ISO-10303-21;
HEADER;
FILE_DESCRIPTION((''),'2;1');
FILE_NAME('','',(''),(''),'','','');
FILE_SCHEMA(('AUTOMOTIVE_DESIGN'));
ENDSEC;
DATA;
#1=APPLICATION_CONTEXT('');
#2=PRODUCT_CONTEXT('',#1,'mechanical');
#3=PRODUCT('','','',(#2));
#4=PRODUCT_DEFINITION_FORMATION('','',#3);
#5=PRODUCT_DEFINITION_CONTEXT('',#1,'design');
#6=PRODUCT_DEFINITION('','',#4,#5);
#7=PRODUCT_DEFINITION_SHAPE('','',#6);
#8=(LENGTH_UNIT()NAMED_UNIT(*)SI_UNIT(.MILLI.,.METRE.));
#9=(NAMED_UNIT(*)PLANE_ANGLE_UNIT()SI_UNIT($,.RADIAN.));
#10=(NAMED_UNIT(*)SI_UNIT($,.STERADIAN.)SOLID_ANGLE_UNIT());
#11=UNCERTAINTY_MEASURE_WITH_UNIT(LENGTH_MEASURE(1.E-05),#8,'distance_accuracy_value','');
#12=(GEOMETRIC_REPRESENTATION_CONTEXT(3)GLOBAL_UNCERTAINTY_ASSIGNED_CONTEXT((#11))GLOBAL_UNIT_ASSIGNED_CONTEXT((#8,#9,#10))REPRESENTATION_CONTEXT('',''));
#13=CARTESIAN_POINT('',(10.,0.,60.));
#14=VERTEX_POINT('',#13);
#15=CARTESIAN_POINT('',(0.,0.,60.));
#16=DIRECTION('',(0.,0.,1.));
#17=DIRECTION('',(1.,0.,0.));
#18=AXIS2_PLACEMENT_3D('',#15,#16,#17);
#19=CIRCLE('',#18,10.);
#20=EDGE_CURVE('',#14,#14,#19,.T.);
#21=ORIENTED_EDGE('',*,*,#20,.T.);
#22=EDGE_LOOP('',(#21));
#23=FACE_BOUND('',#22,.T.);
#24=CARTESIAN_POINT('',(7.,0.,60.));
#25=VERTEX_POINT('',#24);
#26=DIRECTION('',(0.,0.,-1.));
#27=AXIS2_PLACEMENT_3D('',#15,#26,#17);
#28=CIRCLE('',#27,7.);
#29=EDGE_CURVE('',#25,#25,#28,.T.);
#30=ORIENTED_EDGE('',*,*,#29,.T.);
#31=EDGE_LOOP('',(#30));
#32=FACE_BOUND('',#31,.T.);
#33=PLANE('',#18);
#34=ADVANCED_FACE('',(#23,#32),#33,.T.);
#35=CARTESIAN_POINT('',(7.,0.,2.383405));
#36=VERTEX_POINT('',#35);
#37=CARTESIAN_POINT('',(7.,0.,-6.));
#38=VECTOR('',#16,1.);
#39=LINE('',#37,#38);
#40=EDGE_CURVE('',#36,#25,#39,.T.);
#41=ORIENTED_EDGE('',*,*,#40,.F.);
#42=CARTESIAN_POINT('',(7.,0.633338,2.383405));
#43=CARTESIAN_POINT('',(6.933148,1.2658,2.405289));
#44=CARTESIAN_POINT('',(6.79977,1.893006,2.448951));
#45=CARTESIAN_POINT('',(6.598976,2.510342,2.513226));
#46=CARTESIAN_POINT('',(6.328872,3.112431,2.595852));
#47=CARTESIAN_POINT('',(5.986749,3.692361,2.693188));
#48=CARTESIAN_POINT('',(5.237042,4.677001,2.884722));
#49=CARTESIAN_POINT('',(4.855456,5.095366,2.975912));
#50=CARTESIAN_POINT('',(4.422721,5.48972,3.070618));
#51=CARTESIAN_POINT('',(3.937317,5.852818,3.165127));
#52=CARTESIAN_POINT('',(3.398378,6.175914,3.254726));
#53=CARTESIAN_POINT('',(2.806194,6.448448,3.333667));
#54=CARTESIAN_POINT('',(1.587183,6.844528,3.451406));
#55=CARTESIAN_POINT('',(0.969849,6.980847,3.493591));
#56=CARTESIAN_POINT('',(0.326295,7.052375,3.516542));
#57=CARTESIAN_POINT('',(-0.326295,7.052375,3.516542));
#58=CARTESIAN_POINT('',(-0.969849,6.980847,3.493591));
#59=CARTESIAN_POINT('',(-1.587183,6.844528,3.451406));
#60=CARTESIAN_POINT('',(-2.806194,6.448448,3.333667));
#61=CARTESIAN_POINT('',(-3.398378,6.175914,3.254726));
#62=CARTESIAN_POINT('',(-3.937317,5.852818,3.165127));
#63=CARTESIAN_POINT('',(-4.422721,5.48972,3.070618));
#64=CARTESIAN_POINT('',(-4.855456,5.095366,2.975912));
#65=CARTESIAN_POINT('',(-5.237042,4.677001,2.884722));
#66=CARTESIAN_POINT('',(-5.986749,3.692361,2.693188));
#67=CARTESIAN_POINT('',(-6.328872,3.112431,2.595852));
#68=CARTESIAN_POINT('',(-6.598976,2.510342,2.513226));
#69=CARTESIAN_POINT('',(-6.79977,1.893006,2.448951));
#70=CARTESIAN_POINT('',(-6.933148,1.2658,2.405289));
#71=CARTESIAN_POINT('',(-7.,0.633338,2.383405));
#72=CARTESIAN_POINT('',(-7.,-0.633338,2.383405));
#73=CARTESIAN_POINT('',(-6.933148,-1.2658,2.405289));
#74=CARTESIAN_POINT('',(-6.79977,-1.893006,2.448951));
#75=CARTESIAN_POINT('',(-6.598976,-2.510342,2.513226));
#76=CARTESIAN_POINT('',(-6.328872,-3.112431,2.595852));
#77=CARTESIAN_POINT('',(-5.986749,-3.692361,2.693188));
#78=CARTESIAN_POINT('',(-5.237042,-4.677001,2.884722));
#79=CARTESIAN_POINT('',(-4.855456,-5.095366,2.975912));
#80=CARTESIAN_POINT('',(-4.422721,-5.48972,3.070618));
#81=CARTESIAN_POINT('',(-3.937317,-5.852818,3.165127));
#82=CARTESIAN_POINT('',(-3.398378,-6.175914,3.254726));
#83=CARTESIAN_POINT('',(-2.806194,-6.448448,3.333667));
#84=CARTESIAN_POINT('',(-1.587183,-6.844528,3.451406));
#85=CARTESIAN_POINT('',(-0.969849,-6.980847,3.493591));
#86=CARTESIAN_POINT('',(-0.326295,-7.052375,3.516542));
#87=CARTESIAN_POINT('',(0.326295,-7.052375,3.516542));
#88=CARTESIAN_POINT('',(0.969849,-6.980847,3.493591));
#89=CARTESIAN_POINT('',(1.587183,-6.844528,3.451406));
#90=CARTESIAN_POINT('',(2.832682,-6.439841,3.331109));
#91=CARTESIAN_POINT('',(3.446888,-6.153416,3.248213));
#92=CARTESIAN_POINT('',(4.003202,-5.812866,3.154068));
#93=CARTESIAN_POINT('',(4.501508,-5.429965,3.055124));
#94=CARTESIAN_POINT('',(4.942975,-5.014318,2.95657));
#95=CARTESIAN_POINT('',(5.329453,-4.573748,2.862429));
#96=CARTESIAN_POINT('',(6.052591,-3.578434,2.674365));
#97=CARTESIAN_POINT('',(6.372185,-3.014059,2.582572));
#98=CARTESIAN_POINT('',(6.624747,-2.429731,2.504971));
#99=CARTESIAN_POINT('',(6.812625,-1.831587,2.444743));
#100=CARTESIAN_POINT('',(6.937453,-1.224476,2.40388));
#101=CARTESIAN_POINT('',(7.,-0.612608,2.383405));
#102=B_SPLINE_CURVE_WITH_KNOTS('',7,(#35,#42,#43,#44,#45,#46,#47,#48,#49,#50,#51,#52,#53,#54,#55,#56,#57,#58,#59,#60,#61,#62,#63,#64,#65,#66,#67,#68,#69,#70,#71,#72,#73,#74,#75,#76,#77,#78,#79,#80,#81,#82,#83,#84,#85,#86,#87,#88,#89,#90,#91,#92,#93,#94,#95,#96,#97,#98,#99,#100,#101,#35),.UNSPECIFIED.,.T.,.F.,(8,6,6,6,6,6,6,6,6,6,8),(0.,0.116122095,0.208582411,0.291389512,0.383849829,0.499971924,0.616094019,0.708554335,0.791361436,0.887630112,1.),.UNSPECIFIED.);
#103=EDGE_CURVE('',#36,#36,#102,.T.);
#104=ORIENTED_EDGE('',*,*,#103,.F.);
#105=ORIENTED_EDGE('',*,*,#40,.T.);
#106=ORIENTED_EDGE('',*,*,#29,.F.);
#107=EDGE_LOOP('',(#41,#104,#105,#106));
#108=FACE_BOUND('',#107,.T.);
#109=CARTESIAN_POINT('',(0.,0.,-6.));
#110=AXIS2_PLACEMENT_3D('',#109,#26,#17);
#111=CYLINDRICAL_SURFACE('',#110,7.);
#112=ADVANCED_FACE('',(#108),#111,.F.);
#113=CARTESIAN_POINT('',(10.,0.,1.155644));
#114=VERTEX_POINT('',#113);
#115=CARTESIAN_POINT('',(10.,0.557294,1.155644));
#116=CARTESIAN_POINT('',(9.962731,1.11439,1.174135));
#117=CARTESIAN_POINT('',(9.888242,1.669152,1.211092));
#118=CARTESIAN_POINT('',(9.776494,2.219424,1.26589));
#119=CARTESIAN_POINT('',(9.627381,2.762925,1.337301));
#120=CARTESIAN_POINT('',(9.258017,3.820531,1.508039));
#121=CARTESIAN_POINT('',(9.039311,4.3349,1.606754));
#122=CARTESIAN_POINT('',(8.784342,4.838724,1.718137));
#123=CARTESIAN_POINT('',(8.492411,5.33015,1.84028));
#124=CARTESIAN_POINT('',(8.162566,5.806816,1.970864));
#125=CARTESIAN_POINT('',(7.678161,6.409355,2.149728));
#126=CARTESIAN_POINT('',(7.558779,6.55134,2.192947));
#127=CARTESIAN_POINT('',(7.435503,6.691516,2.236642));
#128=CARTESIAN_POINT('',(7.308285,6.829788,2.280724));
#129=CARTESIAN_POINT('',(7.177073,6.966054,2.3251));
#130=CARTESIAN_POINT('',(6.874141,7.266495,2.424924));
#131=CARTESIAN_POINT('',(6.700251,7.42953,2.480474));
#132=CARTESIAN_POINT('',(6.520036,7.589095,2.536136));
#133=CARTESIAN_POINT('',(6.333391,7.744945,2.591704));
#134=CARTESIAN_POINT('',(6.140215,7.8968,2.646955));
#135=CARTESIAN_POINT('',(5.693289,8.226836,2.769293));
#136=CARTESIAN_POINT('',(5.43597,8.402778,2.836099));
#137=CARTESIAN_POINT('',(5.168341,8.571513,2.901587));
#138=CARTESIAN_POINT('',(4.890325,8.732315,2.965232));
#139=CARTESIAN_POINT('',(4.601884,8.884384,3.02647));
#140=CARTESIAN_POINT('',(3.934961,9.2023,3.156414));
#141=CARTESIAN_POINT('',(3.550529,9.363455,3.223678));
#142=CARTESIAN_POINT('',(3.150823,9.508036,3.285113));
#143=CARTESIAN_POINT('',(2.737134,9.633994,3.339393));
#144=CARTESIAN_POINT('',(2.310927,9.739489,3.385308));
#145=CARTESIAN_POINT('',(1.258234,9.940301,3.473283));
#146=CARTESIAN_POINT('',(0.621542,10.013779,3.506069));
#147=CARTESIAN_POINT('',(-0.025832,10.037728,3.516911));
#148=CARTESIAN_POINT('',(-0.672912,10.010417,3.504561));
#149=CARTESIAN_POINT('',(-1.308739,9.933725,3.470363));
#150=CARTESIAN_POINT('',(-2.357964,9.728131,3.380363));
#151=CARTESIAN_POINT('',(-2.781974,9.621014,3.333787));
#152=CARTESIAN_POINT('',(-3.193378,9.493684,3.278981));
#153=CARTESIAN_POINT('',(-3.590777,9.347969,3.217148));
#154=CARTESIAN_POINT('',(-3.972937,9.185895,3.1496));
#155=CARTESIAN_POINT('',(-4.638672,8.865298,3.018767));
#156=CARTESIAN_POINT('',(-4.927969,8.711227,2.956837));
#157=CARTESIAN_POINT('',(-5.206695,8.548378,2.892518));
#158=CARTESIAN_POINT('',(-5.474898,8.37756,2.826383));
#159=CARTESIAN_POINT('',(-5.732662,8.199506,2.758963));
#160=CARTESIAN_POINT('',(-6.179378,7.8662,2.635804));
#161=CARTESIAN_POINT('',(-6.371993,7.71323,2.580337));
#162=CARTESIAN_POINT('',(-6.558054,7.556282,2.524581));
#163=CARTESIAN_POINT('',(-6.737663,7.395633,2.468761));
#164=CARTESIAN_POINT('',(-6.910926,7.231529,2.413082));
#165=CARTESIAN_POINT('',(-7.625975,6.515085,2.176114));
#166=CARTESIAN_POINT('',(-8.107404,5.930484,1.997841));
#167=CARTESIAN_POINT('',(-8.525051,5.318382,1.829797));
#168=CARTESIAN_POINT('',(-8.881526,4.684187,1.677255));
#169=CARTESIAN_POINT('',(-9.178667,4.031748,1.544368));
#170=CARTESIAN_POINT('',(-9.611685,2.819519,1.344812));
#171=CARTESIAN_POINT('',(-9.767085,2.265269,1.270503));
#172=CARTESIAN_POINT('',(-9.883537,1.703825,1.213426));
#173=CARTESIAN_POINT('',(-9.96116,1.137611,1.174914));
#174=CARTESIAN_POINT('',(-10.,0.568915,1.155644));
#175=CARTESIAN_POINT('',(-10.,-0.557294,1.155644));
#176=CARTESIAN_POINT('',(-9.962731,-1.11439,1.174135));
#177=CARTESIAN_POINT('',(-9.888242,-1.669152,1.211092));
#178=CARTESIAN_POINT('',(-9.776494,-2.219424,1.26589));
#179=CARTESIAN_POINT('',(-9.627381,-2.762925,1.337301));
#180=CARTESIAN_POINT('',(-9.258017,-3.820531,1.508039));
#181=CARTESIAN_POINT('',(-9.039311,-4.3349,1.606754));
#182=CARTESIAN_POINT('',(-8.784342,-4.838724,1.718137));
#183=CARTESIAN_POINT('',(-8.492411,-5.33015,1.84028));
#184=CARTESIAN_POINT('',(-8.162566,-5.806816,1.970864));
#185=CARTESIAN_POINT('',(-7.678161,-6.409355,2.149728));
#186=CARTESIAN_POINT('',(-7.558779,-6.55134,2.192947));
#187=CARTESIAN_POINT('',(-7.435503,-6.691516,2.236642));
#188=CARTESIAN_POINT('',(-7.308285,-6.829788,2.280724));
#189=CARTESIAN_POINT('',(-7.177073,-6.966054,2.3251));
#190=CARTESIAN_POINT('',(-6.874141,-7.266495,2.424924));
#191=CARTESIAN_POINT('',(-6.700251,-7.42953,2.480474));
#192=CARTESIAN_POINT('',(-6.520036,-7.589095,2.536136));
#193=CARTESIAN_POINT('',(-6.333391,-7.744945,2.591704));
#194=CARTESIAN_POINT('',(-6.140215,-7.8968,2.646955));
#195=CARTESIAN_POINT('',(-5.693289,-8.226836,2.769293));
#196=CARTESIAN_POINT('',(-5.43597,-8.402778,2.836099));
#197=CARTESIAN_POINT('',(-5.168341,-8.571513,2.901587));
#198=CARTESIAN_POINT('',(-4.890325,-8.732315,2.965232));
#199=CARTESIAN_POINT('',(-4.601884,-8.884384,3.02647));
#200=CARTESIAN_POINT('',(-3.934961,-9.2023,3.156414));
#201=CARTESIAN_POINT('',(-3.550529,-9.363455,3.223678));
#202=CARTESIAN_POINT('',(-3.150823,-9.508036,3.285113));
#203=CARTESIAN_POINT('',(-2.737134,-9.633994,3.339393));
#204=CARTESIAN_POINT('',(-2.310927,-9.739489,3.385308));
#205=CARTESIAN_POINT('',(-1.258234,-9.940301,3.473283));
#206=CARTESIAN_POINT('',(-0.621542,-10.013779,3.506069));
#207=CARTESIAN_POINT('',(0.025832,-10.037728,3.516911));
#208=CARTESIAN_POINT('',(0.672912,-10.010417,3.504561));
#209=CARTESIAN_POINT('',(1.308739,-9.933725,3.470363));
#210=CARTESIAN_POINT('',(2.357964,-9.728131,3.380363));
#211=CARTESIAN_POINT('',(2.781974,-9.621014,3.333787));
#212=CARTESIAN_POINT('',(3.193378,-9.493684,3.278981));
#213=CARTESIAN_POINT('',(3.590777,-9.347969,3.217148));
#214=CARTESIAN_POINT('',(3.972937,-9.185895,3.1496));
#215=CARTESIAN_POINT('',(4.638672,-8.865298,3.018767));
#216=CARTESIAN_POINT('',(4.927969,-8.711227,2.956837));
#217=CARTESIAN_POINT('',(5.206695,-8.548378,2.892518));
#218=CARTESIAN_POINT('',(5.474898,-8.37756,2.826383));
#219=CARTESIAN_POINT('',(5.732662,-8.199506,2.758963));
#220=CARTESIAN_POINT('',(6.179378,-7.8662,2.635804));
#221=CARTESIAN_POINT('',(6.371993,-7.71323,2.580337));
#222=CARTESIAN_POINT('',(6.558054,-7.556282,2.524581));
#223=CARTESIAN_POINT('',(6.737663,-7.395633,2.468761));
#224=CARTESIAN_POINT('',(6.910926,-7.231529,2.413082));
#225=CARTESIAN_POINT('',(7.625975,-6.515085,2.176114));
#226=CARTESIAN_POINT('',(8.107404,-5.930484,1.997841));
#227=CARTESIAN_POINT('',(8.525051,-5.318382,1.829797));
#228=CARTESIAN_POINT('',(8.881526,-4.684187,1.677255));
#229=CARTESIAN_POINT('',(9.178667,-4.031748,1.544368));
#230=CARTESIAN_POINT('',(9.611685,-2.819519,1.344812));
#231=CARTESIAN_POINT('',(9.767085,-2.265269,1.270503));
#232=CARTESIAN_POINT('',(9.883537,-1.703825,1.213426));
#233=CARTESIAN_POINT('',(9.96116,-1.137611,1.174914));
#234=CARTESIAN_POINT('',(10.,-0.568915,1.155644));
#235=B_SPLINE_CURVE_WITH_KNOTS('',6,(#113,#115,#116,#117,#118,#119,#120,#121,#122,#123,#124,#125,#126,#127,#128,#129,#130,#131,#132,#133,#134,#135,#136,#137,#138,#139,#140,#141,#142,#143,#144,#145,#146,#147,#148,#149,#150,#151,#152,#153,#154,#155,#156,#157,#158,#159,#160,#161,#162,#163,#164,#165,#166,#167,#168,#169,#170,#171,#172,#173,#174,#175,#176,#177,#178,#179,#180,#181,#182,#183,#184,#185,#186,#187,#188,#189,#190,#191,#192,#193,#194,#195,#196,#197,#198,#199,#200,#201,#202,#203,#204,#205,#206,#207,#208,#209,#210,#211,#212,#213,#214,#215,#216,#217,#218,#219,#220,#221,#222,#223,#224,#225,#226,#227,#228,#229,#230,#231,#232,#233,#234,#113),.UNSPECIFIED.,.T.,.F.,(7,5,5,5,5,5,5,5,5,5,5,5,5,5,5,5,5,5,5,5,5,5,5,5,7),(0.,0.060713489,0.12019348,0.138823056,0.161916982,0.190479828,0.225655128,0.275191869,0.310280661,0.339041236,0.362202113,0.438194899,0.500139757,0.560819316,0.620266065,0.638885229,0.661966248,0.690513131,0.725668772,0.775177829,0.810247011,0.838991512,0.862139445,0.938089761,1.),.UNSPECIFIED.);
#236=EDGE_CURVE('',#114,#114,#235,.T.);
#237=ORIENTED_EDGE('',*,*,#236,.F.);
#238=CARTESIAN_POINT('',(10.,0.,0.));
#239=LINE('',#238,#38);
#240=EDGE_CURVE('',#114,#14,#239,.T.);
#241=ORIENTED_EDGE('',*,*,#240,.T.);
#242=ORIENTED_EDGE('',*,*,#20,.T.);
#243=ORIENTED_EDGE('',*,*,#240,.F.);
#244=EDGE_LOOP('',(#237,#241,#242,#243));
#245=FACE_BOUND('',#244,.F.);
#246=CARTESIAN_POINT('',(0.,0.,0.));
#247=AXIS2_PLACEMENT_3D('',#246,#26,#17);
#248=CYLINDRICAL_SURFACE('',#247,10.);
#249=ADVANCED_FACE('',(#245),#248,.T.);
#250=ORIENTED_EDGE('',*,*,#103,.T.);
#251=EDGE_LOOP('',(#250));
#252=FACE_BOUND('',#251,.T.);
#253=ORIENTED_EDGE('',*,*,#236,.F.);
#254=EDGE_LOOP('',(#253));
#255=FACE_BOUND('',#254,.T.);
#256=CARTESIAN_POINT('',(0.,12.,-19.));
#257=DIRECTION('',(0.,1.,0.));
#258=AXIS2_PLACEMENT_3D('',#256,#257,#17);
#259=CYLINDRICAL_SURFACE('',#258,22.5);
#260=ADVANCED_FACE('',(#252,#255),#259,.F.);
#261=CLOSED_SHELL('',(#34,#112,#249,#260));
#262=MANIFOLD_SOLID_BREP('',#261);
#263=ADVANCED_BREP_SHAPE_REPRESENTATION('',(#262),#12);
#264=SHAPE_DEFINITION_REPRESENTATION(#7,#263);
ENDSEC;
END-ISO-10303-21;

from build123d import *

# Parameters (mm, degrees)
SKETCH_R          = 10
PAD_DEPTH         = 60
CYLINDER_R        = 7
CYLINDER_DEPTH    = 70
CYLINDER001_R     = 22.5
CYLINDER001_DEPTH = 25


with BuildPart() as part:
    # Sketch → Pad (new body)
    with BuildSketch(Plane.XY):
        Circle(SKETCH_R)
    extrude(amount=PAD_DEPTH)

    # Cylinder → Cylinder (cut)
    with BuildSketch(Plane.XY.offset(-6)):
        Circle(CYLINDER_R)
    extrude(amount=CYLINDER_DEPTH, mode=Mode.SUBTRACT)

    # Cylinder001 → Cylinder001 (cut)
    with BuildSketch(Plane(origin=(0, 12, -19), x_dir=(1, 0, 0), z_dir=(0, -1, 0))):
        Circle(CYLINDER001_R)
    extrude(amount=CYLINDER001_DEPTH, mode=Mode.SUBTRACT)


solid = part.part
